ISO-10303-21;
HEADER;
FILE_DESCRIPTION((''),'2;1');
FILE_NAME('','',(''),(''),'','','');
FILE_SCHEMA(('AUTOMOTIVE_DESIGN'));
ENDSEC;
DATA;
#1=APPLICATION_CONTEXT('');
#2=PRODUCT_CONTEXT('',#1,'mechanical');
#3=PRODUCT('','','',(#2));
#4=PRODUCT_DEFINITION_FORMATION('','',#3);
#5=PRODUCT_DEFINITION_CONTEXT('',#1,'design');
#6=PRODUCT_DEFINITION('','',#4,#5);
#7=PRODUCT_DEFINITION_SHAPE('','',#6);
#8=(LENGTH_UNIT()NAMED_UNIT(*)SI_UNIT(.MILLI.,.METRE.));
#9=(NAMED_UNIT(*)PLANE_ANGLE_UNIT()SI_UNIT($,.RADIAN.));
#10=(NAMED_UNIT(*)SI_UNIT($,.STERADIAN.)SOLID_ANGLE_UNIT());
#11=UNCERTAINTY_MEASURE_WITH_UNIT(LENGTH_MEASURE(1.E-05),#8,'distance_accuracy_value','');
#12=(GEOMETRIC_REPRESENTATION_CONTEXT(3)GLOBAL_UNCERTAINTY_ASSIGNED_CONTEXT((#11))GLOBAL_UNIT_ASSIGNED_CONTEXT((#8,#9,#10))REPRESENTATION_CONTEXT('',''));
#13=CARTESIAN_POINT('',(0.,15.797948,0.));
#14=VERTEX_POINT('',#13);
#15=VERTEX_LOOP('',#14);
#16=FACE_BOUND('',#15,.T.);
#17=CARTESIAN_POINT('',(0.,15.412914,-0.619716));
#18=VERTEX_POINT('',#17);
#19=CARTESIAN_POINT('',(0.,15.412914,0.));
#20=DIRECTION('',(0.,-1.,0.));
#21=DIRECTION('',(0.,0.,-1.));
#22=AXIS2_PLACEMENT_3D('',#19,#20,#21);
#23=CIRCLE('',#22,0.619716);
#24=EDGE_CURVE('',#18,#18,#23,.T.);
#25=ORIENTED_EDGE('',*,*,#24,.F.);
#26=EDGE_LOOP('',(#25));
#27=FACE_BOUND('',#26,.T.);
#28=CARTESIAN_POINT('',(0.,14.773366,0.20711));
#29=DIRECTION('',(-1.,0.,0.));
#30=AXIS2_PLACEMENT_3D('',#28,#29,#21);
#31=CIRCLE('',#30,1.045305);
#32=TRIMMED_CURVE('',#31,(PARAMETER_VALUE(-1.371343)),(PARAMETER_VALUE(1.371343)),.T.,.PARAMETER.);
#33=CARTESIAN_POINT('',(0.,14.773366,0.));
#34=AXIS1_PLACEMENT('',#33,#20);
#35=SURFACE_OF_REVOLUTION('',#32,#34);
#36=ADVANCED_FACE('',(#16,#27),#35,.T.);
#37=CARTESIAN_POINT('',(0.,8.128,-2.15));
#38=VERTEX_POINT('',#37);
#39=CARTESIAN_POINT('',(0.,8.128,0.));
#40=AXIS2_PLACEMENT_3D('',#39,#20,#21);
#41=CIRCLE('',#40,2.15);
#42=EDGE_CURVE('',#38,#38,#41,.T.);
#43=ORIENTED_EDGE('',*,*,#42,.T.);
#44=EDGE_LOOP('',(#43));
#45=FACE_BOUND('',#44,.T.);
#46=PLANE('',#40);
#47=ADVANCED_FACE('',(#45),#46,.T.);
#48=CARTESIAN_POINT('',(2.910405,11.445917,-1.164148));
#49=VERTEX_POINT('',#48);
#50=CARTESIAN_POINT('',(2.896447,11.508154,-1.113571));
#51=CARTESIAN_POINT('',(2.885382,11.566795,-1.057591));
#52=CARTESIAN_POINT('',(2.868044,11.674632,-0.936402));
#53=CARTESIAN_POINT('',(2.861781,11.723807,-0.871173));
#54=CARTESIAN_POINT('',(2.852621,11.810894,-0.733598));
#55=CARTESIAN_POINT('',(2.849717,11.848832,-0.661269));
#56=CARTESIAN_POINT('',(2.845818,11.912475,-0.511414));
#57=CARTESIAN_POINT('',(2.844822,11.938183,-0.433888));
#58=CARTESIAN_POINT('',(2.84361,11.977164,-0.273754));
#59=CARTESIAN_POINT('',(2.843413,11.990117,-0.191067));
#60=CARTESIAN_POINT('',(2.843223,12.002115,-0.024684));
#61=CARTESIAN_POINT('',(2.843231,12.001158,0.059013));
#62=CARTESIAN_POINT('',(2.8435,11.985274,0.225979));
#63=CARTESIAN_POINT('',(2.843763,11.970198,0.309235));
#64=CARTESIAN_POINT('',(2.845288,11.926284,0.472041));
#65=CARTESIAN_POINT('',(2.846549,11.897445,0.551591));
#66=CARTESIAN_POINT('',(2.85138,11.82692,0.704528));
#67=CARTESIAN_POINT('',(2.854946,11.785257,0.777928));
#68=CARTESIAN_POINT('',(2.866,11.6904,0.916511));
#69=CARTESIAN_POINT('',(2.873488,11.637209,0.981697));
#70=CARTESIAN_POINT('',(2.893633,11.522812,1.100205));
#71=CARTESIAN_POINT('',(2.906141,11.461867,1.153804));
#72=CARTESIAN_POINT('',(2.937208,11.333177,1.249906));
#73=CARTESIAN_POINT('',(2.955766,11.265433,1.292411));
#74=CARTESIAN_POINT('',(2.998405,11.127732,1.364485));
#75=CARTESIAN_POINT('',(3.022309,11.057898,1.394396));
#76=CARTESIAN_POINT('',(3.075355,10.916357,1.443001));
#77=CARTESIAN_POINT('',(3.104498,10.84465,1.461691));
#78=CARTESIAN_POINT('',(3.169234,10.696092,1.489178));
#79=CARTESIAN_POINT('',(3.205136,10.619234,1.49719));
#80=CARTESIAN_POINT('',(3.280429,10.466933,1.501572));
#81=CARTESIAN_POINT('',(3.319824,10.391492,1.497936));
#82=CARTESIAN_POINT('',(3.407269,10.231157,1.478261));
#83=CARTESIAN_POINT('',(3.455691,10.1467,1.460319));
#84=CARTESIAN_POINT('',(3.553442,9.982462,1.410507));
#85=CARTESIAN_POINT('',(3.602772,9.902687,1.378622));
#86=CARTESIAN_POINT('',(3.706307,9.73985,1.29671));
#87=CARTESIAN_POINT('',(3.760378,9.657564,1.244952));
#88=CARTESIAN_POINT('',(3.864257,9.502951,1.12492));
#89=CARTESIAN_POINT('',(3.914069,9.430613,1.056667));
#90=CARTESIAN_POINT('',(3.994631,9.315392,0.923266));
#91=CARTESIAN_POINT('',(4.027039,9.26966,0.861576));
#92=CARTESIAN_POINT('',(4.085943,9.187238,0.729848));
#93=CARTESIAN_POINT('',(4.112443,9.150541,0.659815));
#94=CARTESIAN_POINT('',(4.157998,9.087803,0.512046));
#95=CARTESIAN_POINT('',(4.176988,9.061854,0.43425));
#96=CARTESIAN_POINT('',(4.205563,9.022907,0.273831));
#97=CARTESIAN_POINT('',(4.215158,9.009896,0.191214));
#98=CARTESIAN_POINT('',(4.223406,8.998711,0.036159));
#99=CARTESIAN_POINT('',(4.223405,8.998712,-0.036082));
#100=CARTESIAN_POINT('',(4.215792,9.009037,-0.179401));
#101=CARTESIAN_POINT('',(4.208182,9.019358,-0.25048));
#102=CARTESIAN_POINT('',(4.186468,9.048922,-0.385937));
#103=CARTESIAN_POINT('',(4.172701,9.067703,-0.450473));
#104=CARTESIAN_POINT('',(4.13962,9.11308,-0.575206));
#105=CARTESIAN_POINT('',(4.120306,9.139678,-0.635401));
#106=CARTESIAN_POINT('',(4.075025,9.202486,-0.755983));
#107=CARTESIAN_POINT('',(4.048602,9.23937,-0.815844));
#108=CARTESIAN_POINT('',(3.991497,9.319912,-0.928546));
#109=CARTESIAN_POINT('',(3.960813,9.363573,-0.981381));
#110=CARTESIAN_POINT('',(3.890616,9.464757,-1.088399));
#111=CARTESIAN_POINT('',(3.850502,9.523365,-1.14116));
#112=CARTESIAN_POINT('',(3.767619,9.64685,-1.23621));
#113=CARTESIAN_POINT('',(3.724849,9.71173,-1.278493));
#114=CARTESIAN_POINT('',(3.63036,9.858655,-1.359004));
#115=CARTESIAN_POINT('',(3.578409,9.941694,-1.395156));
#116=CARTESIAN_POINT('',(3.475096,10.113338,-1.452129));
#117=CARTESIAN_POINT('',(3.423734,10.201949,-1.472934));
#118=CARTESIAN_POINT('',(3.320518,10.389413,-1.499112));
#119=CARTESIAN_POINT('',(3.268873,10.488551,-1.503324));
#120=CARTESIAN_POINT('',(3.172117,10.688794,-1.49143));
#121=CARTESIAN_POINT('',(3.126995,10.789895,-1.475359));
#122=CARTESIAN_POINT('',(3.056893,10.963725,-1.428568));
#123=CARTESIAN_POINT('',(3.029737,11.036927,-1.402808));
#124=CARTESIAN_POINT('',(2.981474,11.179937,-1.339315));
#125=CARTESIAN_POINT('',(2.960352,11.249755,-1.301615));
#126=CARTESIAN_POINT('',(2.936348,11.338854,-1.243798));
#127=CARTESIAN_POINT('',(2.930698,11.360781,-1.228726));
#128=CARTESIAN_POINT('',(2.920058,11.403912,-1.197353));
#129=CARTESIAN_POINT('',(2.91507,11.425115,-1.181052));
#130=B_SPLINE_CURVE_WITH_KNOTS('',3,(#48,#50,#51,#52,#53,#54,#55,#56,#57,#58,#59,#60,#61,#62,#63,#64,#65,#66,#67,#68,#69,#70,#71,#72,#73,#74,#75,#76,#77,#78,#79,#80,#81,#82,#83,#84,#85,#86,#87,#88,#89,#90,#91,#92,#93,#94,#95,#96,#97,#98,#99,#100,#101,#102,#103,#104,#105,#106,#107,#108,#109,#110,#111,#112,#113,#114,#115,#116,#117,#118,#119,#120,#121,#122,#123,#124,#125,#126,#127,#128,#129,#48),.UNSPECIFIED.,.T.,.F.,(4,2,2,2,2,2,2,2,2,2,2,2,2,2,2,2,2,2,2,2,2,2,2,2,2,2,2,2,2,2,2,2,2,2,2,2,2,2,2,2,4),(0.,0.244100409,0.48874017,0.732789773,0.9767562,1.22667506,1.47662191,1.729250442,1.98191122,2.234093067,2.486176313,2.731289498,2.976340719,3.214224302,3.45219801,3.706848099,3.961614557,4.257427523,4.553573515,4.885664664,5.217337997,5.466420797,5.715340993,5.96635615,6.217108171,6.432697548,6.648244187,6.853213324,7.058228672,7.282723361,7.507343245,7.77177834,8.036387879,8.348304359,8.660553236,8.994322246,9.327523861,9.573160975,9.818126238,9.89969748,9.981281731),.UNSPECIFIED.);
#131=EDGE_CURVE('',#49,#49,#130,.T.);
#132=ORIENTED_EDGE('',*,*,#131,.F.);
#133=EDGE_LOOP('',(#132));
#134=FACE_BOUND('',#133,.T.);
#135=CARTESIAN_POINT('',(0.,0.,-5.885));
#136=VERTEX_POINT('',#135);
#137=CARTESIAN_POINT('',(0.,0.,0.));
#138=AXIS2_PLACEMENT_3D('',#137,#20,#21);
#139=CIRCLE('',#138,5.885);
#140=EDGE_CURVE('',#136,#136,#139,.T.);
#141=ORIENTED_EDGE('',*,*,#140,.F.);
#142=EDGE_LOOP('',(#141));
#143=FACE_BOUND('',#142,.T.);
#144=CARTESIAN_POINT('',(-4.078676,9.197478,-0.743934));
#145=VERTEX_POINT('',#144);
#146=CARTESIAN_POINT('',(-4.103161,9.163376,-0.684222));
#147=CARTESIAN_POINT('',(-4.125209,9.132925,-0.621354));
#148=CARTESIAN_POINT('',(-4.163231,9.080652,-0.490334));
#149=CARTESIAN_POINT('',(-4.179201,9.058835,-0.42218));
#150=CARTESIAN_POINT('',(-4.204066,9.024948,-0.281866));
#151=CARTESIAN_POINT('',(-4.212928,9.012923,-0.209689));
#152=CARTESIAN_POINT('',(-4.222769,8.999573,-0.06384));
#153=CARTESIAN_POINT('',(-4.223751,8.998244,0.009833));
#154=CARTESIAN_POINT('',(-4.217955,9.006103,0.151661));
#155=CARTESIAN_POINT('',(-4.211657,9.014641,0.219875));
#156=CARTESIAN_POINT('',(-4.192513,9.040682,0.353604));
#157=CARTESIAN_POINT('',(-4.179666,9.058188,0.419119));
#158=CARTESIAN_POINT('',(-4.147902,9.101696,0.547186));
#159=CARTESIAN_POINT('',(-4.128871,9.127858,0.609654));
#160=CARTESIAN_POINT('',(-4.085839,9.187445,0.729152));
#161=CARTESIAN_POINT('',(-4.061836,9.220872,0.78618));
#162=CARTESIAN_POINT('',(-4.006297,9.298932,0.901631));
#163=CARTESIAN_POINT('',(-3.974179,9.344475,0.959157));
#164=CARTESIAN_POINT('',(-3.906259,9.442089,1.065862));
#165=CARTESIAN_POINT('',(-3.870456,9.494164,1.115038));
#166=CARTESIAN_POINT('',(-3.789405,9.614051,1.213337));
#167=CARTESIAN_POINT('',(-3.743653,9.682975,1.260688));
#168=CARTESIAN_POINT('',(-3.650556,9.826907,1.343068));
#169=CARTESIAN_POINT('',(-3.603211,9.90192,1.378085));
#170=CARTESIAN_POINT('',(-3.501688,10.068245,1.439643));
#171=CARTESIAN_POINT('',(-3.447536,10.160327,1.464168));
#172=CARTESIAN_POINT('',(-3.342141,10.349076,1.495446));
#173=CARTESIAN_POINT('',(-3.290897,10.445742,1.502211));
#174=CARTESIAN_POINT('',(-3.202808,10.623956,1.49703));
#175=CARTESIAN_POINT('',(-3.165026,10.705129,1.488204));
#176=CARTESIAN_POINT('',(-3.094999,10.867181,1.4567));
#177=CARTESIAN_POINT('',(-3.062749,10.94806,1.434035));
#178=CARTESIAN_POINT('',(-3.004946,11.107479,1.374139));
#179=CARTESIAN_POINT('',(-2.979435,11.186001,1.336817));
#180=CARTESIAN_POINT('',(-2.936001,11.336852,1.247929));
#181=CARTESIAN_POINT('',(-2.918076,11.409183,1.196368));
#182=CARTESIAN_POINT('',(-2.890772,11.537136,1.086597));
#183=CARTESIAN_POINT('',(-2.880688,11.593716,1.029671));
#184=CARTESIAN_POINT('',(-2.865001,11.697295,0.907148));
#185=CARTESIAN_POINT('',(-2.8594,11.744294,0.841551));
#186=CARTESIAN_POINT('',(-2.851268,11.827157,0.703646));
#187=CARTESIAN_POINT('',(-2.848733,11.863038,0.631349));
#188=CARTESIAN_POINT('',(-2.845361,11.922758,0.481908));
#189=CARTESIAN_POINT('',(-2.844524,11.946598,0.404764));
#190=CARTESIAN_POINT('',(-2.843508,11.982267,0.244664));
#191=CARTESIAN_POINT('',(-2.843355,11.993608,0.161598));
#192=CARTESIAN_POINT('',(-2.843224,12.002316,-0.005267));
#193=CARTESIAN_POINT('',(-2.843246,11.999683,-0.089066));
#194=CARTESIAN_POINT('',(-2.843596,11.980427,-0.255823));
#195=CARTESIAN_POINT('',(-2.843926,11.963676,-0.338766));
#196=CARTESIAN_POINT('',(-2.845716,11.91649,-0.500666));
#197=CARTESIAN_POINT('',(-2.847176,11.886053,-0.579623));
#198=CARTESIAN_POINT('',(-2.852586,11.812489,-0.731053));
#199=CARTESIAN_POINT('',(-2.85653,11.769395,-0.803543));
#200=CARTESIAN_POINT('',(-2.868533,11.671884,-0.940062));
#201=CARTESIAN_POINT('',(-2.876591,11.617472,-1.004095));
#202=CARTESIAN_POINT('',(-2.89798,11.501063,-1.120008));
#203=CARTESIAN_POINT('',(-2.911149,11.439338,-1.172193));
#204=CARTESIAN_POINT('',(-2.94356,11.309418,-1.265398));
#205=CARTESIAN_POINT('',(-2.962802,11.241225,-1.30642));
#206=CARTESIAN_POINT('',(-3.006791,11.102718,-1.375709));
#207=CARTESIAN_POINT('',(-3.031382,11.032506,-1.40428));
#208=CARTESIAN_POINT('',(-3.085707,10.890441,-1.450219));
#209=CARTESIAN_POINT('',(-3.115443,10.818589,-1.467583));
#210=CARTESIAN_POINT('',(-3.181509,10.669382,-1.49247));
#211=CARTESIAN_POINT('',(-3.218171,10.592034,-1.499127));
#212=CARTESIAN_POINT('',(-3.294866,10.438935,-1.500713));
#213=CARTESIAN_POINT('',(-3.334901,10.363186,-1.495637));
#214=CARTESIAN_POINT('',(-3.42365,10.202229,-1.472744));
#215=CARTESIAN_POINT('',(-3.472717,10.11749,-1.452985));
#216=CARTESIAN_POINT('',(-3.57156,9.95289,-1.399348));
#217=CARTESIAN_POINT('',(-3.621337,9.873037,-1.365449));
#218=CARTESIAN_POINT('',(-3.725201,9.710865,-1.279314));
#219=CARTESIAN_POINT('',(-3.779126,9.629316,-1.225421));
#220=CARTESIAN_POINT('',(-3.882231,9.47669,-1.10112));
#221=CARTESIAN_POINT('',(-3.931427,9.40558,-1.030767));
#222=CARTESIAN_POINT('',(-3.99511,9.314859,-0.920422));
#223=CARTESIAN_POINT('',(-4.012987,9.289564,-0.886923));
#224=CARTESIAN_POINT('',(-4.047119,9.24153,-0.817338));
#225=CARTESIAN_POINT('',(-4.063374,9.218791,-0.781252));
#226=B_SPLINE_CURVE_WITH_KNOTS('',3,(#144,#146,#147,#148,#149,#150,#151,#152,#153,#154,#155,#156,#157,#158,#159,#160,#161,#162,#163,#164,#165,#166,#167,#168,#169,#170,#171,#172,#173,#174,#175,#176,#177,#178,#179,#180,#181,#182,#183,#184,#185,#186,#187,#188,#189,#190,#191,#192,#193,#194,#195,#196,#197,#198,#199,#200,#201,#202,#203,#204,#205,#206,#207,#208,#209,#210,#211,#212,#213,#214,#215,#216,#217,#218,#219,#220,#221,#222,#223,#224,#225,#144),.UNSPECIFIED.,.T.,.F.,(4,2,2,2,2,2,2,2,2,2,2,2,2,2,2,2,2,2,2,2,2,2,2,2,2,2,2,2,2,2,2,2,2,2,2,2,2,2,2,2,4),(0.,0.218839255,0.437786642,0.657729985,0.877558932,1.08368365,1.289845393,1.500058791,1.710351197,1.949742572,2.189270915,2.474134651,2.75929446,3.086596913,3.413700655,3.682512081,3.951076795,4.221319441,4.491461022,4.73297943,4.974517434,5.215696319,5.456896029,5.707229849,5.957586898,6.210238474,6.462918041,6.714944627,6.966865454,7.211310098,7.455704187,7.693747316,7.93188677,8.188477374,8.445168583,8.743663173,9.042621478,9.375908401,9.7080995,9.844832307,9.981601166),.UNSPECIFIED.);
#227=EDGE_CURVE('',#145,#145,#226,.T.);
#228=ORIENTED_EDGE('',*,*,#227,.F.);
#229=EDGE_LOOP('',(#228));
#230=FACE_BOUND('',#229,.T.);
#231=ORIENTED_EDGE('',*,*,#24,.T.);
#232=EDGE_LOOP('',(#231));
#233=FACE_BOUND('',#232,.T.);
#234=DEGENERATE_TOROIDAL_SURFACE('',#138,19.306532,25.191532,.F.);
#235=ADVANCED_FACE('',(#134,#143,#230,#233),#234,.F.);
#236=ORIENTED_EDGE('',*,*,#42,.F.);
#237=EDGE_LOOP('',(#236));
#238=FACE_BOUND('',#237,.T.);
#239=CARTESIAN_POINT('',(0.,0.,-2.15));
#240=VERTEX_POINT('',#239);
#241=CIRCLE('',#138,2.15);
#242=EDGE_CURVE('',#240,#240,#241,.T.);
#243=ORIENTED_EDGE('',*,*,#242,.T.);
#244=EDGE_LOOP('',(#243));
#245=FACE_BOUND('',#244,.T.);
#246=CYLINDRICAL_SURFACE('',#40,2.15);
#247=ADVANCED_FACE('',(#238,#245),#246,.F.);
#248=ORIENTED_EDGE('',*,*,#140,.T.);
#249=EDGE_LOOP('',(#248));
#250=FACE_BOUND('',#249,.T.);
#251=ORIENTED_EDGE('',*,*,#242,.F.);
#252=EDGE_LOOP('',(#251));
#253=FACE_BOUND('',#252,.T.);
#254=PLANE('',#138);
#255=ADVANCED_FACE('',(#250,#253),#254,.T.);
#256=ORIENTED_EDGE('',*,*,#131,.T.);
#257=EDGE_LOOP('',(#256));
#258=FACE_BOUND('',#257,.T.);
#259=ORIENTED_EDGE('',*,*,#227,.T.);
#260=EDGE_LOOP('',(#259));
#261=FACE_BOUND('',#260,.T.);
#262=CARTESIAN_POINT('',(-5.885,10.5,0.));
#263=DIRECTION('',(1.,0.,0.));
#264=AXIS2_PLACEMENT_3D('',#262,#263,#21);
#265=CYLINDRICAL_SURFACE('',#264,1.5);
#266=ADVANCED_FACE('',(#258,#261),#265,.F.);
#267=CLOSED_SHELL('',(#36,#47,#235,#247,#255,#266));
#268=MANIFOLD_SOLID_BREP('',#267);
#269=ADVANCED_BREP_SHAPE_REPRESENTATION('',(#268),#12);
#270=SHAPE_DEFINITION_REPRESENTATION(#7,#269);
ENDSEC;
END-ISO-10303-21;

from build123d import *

# Parameters (mm, degrees)
SKETCH2_R               = 2.15
CUT_EXTRUDE1_DEPTH      = 8.128
CUT_EXTRUDE2_DEPTH      = 18.856136524
CUT_EXTRUDE2_DEPTH_BACK = 18.856136524
SKETCH3_R               = 1.5


with BuildPart() as part:
    # Sketch1 → Revolve1 (revolve)
    with BuildSketch(Plane(origin=(0, 0, 0), x_dir=(0, 0, -1), z_dir=(1, 0, 0))):
        with BuildLine():
            Line((0, 0), (5.885, 0))
            ThreePointArc((5.885, 0), (4.532364818, 8.143726552), (0.619716175, 15.412913899))
            ThreePointArc((0.619716175, 15.412913899), (0.344540977, 15.661253347), (0, 15.797947842))
            Line((0, 15.797947842), (0, 0))
        make_face()
    revolve(axis=Axis((0, 0, 0), (0, 1, 0)))

    # Sketch2 → Cut-Extrude1 (cut)
    with BuildSketch(Plane.XZ):
        with Locations(Location((0, 0, 0), (0, 0, 270))):
            Circle(SKETCH2_R)
    extrude(amount=-CUT_EXTRUDE1_DEPTH, mode=Mode.SUBTRACT)

    # Sketch3 → Cut-Extrude2 (cut, two sides: drawn at the far end of the back side and taken through both)
    with BuildSketch(Plane(origin=(0, 0, 0), x_dir=(0, 0, -1), z_dir=(1, 0, 0)).offset(-CUT_EXTRUDE2_DEPTH_BACK)):
        with Locations(Location((0, 10.5, 0), (0, 0, 39.095224415))):
            Circle(SKETCH3_R)
    extrude(amount=CUT_EXTRUDE2_DEPTH + CUT_EXTRUDE2_DEPTH_BACK, mode=Mode.SUBTRACT)


solid = part.part
